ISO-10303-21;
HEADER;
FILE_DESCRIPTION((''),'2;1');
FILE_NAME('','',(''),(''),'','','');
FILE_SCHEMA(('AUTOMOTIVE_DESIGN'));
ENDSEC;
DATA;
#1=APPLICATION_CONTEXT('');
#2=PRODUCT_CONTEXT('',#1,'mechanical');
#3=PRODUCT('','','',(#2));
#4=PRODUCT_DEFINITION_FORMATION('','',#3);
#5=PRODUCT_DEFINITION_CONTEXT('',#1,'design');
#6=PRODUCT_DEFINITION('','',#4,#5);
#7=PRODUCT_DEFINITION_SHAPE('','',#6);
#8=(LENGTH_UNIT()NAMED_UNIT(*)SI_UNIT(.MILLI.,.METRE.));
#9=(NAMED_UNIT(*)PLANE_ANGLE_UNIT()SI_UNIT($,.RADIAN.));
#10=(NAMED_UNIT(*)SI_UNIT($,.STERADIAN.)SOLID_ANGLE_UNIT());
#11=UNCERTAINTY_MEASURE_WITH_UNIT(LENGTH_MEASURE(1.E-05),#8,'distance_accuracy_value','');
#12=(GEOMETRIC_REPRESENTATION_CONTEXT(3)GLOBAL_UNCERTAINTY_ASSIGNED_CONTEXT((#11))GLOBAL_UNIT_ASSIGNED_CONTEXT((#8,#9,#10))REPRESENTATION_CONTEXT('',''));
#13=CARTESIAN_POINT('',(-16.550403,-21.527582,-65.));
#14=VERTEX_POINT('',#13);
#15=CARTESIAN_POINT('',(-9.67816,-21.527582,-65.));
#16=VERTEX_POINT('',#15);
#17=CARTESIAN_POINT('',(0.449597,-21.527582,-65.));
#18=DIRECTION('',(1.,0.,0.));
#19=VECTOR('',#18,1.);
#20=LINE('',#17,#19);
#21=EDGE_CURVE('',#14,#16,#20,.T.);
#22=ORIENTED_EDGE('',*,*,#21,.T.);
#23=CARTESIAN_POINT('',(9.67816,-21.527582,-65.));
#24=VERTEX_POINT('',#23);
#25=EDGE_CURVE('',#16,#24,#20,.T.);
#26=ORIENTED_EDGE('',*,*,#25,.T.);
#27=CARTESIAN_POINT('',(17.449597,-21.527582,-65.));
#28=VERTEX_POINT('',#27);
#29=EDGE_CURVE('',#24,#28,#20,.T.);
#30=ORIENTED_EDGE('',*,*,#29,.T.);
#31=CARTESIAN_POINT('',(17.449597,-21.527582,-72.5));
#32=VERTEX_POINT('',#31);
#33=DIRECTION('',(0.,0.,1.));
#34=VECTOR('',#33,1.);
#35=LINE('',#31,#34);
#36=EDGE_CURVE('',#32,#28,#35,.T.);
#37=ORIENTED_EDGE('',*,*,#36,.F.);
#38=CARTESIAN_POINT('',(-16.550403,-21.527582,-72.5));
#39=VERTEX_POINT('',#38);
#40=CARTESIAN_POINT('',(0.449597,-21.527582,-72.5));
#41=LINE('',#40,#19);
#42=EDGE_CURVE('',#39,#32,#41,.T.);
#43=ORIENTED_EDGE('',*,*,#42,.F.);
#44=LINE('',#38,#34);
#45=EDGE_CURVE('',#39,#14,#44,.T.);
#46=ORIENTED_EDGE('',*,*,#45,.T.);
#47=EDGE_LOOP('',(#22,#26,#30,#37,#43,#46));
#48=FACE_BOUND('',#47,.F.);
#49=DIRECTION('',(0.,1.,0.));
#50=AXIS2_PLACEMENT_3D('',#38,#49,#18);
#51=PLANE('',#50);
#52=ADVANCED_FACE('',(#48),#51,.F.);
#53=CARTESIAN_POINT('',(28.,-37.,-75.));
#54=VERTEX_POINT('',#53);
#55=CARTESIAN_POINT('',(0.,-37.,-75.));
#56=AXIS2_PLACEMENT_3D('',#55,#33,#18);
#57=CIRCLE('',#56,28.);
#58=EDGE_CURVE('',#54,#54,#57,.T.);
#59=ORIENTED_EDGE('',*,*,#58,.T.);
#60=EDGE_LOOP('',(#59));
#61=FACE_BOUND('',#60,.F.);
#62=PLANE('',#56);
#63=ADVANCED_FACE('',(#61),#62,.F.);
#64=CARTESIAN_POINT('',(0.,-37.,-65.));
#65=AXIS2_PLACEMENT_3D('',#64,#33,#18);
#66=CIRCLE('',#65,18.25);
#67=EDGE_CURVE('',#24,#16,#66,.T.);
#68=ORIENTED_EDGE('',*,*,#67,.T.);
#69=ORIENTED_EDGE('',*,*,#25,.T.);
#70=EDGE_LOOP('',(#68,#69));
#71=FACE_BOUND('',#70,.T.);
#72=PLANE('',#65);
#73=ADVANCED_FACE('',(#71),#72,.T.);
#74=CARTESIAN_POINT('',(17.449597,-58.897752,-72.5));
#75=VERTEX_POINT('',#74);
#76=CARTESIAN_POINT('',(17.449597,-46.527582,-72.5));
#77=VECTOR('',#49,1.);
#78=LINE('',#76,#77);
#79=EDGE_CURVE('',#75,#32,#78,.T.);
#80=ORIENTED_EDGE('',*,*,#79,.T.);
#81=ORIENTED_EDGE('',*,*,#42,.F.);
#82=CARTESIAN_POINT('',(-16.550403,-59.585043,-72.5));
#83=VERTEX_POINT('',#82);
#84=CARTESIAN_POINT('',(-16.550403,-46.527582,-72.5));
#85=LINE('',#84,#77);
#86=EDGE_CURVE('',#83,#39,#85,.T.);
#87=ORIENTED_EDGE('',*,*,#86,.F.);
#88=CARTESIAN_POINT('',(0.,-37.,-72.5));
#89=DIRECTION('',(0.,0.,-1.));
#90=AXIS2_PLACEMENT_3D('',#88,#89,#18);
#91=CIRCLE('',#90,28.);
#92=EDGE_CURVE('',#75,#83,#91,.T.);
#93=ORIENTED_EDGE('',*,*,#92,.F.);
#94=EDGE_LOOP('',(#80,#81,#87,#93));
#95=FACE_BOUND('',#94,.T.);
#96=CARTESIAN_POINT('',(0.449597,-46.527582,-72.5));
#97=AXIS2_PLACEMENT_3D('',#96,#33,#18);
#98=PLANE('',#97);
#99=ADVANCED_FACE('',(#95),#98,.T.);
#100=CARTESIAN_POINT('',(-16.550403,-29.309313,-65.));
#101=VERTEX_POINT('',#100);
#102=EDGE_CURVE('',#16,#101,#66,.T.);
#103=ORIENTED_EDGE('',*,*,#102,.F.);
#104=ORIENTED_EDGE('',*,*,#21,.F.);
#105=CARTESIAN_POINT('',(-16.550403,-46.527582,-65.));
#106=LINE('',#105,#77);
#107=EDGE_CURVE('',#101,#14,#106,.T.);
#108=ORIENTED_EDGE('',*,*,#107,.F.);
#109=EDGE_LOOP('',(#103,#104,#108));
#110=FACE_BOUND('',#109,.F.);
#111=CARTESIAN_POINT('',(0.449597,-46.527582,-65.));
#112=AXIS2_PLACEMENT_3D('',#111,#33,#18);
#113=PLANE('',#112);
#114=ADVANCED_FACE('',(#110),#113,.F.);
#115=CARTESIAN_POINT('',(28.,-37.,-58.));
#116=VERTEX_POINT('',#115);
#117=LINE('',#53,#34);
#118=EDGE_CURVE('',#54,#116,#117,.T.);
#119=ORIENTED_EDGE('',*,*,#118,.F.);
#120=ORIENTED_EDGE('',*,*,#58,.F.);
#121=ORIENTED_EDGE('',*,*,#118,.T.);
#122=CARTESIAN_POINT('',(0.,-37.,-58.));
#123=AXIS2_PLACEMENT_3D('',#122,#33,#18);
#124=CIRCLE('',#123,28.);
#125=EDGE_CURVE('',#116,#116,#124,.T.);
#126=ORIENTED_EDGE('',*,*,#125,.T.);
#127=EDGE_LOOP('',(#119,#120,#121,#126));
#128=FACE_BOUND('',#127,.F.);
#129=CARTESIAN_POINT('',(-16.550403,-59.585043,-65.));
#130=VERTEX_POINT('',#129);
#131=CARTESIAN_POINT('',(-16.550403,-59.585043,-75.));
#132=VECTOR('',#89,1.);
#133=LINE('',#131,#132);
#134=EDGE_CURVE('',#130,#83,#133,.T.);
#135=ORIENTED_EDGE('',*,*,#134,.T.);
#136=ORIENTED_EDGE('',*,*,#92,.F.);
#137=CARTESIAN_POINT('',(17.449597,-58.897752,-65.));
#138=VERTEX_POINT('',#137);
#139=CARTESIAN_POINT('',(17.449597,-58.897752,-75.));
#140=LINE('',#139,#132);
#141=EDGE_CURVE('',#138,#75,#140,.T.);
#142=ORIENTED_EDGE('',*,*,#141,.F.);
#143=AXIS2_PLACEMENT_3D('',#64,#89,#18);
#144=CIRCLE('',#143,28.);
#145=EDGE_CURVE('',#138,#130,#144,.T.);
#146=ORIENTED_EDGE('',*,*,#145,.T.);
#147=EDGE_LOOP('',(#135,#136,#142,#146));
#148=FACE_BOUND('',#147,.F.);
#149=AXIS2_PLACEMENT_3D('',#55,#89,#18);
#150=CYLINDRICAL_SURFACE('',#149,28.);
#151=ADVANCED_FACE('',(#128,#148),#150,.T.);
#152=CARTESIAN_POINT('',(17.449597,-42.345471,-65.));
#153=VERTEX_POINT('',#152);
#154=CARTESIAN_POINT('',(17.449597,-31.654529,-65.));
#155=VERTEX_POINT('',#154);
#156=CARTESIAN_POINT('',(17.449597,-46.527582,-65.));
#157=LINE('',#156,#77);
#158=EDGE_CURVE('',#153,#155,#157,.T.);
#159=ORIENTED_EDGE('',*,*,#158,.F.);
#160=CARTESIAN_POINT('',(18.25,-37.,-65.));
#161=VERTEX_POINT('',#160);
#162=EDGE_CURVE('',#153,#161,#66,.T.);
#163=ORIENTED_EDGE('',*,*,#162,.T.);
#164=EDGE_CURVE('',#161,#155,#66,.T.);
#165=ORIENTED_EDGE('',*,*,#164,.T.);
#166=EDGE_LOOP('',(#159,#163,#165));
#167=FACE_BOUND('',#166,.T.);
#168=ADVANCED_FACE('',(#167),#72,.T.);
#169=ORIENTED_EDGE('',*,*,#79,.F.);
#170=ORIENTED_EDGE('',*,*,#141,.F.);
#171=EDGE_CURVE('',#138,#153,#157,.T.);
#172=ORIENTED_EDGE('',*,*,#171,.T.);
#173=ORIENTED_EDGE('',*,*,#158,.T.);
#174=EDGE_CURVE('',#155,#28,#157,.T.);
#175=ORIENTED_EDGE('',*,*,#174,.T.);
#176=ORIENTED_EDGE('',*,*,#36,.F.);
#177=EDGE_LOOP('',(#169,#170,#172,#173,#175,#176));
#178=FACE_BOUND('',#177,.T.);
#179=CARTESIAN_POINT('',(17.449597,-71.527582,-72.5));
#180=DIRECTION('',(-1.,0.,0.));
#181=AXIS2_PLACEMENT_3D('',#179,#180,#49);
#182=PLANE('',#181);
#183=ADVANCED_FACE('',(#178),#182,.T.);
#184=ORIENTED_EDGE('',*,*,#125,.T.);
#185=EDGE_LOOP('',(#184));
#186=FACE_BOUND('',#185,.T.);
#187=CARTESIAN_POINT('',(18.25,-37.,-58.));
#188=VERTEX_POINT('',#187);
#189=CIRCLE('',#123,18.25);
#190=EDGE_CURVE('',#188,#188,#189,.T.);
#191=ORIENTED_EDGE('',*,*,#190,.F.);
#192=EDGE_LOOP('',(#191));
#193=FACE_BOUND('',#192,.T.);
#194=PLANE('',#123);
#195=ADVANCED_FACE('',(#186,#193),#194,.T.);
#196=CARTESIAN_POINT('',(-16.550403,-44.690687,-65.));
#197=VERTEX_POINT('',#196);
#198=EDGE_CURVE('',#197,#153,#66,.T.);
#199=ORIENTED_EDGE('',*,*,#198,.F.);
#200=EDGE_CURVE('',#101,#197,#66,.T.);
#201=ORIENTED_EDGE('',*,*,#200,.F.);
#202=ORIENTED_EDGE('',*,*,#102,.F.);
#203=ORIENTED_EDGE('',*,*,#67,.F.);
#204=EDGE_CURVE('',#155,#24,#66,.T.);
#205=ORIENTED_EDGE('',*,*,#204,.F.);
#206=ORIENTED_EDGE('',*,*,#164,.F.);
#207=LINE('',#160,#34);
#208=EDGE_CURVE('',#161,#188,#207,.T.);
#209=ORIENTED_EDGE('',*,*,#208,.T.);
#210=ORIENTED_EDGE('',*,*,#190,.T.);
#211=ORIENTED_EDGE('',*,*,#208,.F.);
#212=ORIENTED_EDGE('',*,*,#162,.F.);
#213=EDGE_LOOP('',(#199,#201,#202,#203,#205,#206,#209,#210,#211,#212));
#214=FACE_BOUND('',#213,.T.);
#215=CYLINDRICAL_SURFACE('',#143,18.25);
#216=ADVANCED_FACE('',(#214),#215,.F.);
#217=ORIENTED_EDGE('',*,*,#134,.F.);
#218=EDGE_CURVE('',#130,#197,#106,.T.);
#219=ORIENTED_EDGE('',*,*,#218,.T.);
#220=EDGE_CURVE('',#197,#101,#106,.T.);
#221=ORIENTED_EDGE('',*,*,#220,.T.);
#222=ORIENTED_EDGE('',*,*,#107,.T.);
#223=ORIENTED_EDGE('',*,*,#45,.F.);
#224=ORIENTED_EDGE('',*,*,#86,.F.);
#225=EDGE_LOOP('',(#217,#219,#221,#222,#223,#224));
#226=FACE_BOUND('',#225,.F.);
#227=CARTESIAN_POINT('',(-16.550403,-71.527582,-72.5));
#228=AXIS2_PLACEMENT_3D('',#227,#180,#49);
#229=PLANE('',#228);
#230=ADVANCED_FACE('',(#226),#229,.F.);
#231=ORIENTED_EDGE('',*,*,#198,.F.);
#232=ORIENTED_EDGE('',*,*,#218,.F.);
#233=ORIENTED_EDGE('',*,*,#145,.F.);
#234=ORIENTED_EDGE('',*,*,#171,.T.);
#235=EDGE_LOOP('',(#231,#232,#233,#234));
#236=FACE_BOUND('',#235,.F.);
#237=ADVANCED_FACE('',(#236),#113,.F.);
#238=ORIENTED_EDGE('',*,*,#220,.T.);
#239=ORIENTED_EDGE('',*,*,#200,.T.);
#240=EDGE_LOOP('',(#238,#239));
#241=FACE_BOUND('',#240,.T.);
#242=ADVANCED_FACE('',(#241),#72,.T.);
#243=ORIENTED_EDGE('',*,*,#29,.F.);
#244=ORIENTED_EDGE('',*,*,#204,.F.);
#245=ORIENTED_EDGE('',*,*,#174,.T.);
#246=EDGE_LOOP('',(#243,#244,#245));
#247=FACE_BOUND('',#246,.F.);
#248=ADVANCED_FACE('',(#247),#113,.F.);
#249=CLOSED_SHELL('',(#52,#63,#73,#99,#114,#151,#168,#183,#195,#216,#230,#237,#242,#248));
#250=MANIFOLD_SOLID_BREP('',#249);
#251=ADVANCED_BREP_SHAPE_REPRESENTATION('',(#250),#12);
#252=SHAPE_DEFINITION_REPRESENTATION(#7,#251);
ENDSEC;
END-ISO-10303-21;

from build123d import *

# Parameters (mm, degrees)
SKETCH025_W  = 34
SKETCH025_H  = 50
PAD023_DEPTH = 7.5
SKETCH017_R  = 18.25
PAD015_DEPTH = 7
SKETCH016_R  = 28
PAD014_DEPTH = 17


with BuildPart() as body026:
    # Sketch025 → Pad023 (new body)
    with BuildSketch(Plane.XY):
        with Locations((0.449597, -4.527582)):
            Rectangle(SKETCH025_W, SKETCH025_H)
    extrude(amount=PAD023_DEPTH)


with BuildPart() as body026_1:
    # Body026 placement: moved
    add(body026.part.moved(Location((0, -42, -72.5))))


with BuildPart() as body016:
    # Sketch017 → Pad015 (new body)
    with BuildSketch(Plane.XY.offset(2)):
        with Locations((0, -34)):
            Circle(SKETCH017_R)
    extrude(amount=PAD015_DEPTH)


with BuildPart() as body016_1:
    # Body016 placement: moved
    add(body016.part.moved(Location((0, -3, -67))))


with BuildPart() as bottom:
    # Sketch016 → Pad014 (new body)
    with BuildSketch(Plane.XY):
        with Locations((0, -34)):
            Circle(SKETCH016_R)
    extrude(amount=PAD014_DEPTH)


with BuildPart() as bottom_1:
    # Body015 placement: moved
    add(bottom.part.moved(Location((0, -3, -75))))

    # Cut034: cut Body016
    add(body016_1.part, mode=Mode.SUBTRACT)

    # Cut035: cut Body026
    add(body026_1.part, mode=Mode.SUBTRACT)


solid = bottom_1.part
